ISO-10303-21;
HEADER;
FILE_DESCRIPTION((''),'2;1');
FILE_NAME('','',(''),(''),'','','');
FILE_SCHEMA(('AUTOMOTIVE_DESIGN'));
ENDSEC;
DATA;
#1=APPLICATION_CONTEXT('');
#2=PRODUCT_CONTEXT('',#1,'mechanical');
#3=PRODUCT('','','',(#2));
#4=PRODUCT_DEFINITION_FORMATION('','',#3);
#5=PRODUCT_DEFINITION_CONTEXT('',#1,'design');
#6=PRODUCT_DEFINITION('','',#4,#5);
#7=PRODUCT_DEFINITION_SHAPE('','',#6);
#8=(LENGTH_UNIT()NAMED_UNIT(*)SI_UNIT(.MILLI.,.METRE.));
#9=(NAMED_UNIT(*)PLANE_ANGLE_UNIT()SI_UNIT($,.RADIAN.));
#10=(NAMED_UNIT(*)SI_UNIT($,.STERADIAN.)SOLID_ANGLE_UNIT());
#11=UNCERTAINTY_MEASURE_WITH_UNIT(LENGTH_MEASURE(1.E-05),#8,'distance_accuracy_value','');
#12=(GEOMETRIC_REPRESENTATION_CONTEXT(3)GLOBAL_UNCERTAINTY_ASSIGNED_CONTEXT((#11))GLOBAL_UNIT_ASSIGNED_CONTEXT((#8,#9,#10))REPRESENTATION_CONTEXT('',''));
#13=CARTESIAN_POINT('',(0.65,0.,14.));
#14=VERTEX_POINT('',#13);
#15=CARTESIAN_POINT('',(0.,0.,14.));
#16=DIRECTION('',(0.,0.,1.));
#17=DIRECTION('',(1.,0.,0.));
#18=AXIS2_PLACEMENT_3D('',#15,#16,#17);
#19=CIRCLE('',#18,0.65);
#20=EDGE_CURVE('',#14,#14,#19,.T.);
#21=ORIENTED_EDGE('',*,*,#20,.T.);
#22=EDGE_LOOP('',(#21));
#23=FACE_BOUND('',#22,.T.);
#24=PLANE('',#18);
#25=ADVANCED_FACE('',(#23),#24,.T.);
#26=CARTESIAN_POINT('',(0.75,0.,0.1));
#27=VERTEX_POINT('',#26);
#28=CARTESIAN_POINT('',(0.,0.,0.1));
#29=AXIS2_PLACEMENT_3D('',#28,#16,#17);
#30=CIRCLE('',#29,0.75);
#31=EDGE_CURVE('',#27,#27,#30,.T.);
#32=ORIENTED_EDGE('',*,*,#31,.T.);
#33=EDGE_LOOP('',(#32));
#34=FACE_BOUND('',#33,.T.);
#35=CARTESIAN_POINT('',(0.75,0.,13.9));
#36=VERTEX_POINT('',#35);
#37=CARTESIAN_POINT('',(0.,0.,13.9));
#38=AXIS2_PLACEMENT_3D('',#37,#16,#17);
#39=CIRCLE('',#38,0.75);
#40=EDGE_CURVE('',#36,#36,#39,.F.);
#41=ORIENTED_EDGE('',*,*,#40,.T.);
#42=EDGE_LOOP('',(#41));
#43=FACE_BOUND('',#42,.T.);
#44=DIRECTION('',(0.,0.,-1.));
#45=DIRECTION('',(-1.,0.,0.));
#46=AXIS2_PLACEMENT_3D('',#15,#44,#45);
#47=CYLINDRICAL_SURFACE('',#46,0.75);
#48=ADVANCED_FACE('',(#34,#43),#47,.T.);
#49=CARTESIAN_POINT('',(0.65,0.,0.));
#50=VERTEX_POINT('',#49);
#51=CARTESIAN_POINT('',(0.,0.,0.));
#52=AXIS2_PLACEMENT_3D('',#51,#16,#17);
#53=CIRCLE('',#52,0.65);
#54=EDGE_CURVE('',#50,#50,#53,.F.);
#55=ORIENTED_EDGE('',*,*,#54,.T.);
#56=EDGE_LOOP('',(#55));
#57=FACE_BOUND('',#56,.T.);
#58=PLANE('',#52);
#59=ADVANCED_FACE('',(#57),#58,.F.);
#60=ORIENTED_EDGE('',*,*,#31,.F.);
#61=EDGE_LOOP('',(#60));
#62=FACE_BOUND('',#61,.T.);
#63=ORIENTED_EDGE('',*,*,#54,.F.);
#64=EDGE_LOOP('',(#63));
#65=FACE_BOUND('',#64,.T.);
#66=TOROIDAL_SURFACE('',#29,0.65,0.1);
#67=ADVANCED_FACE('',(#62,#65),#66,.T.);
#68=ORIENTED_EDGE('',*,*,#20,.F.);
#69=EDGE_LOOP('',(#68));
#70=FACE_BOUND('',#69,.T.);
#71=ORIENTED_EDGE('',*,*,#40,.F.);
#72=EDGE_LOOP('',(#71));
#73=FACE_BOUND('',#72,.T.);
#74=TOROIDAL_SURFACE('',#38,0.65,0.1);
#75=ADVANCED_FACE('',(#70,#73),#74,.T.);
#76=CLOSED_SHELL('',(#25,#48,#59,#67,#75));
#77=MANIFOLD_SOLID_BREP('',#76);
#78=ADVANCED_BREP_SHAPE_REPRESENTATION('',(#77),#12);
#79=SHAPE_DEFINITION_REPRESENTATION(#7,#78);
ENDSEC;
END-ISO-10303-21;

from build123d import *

# Parameters (mm, degrees)
SKETCH1_R      = 0.75
EXTRUDE1_DEPTH = 14
FILLET1_R      = 0.1


with BuildPart() as part:
    # Sketch1 → Extrude1 (new body)
    with BuildSketch(Plane.XY):
        Circle(SKETCH1_R)
    extrude(amount=EXTRUDE1_DEPTH)

    # Fillet1
    fillet1_edges = [part.edges().sort_by_distance(p)[0] for p in [
        (-0.75, 0, 0),
        (-0.75, 0, 14),
    ]]
    fillet(fillet1_edges, radius=FILLET1_R)


solid = part.part
